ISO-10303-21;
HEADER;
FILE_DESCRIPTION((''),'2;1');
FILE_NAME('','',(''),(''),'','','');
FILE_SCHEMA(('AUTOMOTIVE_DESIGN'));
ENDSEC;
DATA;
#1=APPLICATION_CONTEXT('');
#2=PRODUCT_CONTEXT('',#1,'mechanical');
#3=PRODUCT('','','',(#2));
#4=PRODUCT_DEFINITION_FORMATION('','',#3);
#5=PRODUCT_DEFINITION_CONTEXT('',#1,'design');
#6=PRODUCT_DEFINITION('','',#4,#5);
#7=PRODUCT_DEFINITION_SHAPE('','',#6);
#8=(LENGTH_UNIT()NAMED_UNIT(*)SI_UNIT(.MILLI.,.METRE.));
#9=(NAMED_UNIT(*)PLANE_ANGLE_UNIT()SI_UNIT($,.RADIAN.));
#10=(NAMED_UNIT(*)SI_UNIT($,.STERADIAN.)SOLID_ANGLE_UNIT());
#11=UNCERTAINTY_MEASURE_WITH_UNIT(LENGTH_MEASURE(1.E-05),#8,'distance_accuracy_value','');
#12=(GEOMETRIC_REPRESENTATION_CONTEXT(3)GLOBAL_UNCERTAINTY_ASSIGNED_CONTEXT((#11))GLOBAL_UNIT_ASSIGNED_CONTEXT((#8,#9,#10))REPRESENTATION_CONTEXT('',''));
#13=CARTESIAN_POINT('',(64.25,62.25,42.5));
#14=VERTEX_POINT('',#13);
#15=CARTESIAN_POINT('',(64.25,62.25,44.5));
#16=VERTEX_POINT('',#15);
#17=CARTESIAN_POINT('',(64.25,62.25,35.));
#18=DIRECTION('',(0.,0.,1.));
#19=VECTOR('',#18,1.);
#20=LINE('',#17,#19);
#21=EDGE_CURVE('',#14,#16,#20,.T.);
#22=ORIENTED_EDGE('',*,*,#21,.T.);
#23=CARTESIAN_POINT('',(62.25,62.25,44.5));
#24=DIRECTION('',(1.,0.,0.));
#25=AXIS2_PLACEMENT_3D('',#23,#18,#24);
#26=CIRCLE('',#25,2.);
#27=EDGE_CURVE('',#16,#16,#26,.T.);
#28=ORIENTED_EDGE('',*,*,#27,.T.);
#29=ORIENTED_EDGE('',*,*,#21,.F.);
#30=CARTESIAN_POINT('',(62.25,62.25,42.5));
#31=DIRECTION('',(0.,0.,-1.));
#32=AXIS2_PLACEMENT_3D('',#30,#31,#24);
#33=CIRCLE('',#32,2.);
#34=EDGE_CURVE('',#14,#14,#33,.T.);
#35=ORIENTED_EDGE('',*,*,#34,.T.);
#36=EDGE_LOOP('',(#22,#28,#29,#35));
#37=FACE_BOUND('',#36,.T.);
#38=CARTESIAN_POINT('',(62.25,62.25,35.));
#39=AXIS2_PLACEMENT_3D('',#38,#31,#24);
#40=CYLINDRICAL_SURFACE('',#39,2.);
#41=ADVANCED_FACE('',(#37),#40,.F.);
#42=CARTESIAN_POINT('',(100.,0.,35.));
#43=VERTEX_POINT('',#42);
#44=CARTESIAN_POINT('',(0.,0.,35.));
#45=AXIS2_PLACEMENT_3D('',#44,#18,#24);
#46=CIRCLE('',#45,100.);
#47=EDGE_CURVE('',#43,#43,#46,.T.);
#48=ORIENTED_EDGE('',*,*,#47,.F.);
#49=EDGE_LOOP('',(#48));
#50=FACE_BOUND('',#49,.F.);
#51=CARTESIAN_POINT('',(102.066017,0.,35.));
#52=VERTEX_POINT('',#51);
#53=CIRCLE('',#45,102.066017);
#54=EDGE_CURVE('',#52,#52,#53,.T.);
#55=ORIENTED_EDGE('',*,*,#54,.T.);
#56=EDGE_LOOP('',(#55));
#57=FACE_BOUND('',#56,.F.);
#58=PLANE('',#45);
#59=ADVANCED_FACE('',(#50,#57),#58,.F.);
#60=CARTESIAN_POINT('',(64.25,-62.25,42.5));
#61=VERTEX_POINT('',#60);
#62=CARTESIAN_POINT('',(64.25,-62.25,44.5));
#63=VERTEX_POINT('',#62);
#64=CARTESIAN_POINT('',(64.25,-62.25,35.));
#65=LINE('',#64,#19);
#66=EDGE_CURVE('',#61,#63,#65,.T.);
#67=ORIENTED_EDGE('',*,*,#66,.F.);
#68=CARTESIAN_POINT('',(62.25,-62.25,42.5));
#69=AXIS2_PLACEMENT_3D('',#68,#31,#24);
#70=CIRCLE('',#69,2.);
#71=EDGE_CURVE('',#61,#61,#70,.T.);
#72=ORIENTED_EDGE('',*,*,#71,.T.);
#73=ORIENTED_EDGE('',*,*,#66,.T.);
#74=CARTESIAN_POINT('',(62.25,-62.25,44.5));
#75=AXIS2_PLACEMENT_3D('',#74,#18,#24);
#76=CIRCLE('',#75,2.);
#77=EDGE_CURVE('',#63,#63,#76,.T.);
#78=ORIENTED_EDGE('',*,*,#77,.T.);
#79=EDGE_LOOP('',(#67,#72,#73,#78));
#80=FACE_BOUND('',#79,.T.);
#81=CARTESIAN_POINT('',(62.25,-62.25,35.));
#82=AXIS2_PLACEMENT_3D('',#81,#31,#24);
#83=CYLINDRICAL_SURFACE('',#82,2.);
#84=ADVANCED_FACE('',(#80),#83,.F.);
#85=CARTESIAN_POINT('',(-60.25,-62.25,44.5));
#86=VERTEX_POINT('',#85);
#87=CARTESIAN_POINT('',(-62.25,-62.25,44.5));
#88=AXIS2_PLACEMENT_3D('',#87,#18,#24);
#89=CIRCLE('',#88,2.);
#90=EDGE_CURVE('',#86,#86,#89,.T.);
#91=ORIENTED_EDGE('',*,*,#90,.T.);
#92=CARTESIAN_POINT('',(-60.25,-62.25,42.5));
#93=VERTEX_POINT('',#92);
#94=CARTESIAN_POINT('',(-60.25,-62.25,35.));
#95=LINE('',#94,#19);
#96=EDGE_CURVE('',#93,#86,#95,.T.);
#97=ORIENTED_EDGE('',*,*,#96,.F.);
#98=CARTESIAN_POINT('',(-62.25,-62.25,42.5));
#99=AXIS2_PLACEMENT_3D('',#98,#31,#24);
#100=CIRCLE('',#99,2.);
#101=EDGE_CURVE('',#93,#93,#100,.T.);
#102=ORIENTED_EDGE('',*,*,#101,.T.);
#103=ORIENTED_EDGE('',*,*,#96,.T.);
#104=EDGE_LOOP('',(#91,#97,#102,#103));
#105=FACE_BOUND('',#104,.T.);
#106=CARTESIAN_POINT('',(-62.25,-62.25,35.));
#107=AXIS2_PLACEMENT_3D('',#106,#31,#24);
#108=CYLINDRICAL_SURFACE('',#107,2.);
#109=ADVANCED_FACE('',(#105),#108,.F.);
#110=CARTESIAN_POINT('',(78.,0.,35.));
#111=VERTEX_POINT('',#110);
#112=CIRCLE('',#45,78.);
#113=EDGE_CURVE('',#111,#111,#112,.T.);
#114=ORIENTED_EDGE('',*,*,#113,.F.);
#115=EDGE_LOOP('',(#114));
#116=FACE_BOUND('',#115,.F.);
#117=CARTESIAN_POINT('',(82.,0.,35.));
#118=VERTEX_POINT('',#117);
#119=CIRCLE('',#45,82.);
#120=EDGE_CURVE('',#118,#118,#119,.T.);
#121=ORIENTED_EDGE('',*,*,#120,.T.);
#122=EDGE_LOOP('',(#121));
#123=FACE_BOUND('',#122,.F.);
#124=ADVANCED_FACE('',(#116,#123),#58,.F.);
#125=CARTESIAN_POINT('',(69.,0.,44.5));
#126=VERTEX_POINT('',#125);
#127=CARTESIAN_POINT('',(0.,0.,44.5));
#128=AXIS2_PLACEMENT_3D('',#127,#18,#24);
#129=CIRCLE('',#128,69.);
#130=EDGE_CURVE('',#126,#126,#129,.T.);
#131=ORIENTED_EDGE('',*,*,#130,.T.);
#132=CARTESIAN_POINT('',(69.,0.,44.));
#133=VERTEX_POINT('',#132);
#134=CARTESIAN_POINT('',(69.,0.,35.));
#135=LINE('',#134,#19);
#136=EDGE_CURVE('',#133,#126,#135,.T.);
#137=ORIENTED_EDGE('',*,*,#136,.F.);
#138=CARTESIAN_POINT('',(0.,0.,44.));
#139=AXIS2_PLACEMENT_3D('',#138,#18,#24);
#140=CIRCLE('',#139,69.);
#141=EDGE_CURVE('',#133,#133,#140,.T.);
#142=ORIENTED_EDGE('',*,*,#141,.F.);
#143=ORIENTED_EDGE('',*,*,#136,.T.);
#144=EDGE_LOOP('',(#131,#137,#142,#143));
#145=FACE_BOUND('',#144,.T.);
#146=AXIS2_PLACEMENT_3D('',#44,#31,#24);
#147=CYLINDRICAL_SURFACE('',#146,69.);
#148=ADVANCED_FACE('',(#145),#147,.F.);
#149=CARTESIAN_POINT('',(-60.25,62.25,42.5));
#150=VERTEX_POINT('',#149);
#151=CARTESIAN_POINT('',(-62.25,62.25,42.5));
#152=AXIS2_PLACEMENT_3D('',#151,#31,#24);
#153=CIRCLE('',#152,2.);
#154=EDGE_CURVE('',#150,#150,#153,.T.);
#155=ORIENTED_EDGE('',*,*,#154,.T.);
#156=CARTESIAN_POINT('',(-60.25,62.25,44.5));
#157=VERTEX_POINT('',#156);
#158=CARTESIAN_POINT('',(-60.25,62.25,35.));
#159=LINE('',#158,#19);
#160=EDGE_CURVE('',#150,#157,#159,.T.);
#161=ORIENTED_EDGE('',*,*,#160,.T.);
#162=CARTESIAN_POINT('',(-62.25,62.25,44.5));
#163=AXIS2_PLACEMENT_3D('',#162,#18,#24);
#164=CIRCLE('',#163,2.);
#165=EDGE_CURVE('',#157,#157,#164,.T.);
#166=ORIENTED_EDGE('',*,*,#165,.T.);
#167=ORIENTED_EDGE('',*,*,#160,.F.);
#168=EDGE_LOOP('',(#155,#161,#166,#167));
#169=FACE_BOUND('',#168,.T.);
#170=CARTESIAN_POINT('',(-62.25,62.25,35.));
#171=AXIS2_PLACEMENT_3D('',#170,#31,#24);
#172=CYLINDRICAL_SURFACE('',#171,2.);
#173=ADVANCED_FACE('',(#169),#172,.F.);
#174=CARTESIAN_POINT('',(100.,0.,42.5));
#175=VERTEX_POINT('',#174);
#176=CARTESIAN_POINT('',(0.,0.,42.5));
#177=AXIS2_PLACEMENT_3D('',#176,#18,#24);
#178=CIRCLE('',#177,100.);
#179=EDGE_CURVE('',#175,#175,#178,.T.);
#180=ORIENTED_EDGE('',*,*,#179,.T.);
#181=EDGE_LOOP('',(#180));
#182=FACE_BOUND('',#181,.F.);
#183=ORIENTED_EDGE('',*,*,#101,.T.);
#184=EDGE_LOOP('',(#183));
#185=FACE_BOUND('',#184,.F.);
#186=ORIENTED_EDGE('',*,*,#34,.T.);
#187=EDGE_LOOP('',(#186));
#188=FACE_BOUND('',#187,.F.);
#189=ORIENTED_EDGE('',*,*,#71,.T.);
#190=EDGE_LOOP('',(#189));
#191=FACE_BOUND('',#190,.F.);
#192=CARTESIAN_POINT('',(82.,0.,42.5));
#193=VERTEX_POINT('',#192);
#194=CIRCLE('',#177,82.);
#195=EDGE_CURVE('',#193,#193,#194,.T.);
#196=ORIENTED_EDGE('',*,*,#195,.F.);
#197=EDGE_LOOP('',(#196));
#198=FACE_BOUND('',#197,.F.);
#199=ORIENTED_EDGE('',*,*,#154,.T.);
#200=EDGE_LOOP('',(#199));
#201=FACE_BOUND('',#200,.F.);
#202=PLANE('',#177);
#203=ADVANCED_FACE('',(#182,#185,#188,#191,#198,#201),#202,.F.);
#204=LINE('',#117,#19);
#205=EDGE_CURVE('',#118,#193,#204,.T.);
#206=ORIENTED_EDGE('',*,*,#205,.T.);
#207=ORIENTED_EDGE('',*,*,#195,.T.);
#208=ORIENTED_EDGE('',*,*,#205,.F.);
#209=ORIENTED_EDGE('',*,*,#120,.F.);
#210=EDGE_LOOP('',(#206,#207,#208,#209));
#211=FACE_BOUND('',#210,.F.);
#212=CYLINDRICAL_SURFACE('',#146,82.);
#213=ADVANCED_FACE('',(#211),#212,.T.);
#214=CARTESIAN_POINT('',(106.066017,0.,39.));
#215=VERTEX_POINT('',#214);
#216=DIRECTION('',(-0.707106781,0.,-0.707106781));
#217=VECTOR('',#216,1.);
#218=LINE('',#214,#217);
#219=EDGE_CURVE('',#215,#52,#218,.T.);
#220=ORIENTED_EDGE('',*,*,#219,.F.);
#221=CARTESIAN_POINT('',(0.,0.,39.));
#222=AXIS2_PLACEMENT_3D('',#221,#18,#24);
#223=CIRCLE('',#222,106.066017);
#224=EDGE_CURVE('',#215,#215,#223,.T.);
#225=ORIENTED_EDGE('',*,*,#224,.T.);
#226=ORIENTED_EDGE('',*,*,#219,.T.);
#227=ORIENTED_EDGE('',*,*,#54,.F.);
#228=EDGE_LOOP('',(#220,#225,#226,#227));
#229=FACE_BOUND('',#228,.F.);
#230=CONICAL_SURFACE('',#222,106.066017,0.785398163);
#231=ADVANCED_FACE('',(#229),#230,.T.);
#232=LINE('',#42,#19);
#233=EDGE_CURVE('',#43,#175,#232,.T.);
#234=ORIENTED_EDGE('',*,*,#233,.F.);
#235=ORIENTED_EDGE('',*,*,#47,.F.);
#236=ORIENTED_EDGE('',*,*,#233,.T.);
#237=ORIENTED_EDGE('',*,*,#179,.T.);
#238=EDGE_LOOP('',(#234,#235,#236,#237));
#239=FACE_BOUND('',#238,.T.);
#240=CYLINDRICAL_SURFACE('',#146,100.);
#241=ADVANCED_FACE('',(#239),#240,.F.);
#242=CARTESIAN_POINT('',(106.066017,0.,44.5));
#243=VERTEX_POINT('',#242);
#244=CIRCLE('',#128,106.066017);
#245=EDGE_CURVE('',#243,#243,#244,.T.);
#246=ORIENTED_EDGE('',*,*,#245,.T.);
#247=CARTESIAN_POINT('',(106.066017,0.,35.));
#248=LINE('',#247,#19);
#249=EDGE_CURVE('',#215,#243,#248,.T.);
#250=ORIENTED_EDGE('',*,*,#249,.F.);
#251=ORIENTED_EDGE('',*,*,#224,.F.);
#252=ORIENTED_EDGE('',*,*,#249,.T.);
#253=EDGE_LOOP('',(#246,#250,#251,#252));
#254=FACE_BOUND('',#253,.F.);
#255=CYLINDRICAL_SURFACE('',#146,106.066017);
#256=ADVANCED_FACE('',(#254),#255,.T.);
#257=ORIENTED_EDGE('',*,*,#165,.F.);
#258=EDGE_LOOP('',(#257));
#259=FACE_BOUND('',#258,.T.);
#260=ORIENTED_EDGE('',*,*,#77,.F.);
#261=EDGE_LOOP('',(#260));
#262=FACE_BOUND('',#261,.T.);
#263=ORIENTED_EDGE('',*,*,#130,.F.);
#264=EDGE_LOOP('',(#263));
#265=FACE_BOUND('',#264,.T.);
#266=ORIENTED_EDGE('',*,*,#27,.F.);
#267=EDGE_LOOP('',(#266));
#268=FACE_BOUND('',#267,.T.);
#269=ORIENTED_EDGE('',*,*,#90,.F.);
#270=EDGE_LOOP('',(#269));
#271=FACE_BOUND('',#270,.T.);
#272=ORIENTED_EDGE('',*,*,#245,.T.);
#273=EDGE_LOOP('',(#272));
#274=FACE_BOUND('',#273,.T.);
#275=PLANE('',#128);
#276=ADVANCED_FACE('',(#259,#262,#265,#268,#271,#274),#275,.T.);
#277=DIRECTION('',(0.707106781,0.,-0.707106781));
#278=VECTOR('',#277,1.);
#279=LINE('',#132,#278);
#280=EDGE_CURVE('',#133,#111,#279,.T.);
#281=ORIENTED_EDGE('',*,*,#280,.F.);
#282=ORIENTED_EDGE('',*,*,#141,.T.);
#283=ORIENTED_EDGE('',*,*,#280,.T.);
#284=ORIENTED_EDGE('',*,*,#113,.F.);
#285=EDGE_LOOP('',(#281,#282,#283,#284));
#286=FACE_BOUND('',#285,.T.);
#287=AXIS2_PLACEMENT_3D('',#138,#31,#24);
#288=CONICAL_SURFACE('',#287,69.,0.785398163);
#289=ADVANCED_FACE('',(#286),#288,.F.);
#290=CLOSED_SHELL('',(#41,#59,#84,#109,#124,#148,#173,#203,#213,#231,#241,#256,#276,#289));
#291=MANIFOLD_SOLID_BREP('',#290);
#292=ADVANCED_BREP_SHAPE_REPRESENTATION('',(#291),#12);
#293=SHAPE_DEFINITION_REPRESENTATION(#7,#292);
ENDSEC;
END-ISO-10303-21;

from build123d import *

# Parameters (mm, degrees)
SKETCH025_R     = 106.066017
SKETCH025_R_2   = 2
SKETCH025_R_3   = 69
PAD011_DEPTH    = 9.5
SKETCH026_R     = 100
SKETCH026_R_2   = 82
POCKET004_DEPTH = 7.5
CHAMFER012_SIZE = 9
CHAMFER013_SIZE = 4


with BuildPart() as part:
    # Sketch025 → Pad011 (new body)
    with BuildSketch(Plane.XY):
        Circle(SKETCH025_R)
        with Locations((-62.25, 62.25)):
            Circle(SKETCH025_R_2, mode=Mode.SUBTRACT)
        with Locations((62.25, 62.25)):
            Circle(SKETCH025_R_2, mode=Mode.SUBTRACT)
        with Locations((62.25, -62.25)):
            Circle(SKETCH025_R_2, mode=Mode.SUBTRACT)
        with Locations((-62.25, -62.25)):
            Circle(SKETCH025_R_2, mode=Mode.SUBTRACT)
        Circle(SKETCH025_R_3, mode=Mode.SUBTRACT)
    extrude(amount=PAD011_DEPTH)

    # Sketch026 → Pocket004 (cut)
    with BuildSketch(Plane.XY):
        Circle(SKETCH026_R)
        Circle(SKETCH026_R_2, mode=Mode.SUBTRACT)
    extrude(amount=POCKET004_DEPTH, mode=Mode.SUBTRACT)

    # Chamfer012
    chamfer012_edges = [part.edges().sort_by_distance(p)[0] for p in [
        (-69, 0, 0),
    ]]
    chamfer(chamfer012_edges, length=CHAMFER012_SIZE)

    # Chamfer013
    chamfer013_edges = [part.edges().sort_by_distance(p)[0] for p in [
        (-106.066017, 0, 0),
    ]]
    chamfer(chamfer013_edges, length=CHAMFER013_SIZE)


with BuildPart() as part_1:
    # Body009 placement: moved
    add(part.part.moved(Location((0, 0, 35))))


solid = part_1.part
